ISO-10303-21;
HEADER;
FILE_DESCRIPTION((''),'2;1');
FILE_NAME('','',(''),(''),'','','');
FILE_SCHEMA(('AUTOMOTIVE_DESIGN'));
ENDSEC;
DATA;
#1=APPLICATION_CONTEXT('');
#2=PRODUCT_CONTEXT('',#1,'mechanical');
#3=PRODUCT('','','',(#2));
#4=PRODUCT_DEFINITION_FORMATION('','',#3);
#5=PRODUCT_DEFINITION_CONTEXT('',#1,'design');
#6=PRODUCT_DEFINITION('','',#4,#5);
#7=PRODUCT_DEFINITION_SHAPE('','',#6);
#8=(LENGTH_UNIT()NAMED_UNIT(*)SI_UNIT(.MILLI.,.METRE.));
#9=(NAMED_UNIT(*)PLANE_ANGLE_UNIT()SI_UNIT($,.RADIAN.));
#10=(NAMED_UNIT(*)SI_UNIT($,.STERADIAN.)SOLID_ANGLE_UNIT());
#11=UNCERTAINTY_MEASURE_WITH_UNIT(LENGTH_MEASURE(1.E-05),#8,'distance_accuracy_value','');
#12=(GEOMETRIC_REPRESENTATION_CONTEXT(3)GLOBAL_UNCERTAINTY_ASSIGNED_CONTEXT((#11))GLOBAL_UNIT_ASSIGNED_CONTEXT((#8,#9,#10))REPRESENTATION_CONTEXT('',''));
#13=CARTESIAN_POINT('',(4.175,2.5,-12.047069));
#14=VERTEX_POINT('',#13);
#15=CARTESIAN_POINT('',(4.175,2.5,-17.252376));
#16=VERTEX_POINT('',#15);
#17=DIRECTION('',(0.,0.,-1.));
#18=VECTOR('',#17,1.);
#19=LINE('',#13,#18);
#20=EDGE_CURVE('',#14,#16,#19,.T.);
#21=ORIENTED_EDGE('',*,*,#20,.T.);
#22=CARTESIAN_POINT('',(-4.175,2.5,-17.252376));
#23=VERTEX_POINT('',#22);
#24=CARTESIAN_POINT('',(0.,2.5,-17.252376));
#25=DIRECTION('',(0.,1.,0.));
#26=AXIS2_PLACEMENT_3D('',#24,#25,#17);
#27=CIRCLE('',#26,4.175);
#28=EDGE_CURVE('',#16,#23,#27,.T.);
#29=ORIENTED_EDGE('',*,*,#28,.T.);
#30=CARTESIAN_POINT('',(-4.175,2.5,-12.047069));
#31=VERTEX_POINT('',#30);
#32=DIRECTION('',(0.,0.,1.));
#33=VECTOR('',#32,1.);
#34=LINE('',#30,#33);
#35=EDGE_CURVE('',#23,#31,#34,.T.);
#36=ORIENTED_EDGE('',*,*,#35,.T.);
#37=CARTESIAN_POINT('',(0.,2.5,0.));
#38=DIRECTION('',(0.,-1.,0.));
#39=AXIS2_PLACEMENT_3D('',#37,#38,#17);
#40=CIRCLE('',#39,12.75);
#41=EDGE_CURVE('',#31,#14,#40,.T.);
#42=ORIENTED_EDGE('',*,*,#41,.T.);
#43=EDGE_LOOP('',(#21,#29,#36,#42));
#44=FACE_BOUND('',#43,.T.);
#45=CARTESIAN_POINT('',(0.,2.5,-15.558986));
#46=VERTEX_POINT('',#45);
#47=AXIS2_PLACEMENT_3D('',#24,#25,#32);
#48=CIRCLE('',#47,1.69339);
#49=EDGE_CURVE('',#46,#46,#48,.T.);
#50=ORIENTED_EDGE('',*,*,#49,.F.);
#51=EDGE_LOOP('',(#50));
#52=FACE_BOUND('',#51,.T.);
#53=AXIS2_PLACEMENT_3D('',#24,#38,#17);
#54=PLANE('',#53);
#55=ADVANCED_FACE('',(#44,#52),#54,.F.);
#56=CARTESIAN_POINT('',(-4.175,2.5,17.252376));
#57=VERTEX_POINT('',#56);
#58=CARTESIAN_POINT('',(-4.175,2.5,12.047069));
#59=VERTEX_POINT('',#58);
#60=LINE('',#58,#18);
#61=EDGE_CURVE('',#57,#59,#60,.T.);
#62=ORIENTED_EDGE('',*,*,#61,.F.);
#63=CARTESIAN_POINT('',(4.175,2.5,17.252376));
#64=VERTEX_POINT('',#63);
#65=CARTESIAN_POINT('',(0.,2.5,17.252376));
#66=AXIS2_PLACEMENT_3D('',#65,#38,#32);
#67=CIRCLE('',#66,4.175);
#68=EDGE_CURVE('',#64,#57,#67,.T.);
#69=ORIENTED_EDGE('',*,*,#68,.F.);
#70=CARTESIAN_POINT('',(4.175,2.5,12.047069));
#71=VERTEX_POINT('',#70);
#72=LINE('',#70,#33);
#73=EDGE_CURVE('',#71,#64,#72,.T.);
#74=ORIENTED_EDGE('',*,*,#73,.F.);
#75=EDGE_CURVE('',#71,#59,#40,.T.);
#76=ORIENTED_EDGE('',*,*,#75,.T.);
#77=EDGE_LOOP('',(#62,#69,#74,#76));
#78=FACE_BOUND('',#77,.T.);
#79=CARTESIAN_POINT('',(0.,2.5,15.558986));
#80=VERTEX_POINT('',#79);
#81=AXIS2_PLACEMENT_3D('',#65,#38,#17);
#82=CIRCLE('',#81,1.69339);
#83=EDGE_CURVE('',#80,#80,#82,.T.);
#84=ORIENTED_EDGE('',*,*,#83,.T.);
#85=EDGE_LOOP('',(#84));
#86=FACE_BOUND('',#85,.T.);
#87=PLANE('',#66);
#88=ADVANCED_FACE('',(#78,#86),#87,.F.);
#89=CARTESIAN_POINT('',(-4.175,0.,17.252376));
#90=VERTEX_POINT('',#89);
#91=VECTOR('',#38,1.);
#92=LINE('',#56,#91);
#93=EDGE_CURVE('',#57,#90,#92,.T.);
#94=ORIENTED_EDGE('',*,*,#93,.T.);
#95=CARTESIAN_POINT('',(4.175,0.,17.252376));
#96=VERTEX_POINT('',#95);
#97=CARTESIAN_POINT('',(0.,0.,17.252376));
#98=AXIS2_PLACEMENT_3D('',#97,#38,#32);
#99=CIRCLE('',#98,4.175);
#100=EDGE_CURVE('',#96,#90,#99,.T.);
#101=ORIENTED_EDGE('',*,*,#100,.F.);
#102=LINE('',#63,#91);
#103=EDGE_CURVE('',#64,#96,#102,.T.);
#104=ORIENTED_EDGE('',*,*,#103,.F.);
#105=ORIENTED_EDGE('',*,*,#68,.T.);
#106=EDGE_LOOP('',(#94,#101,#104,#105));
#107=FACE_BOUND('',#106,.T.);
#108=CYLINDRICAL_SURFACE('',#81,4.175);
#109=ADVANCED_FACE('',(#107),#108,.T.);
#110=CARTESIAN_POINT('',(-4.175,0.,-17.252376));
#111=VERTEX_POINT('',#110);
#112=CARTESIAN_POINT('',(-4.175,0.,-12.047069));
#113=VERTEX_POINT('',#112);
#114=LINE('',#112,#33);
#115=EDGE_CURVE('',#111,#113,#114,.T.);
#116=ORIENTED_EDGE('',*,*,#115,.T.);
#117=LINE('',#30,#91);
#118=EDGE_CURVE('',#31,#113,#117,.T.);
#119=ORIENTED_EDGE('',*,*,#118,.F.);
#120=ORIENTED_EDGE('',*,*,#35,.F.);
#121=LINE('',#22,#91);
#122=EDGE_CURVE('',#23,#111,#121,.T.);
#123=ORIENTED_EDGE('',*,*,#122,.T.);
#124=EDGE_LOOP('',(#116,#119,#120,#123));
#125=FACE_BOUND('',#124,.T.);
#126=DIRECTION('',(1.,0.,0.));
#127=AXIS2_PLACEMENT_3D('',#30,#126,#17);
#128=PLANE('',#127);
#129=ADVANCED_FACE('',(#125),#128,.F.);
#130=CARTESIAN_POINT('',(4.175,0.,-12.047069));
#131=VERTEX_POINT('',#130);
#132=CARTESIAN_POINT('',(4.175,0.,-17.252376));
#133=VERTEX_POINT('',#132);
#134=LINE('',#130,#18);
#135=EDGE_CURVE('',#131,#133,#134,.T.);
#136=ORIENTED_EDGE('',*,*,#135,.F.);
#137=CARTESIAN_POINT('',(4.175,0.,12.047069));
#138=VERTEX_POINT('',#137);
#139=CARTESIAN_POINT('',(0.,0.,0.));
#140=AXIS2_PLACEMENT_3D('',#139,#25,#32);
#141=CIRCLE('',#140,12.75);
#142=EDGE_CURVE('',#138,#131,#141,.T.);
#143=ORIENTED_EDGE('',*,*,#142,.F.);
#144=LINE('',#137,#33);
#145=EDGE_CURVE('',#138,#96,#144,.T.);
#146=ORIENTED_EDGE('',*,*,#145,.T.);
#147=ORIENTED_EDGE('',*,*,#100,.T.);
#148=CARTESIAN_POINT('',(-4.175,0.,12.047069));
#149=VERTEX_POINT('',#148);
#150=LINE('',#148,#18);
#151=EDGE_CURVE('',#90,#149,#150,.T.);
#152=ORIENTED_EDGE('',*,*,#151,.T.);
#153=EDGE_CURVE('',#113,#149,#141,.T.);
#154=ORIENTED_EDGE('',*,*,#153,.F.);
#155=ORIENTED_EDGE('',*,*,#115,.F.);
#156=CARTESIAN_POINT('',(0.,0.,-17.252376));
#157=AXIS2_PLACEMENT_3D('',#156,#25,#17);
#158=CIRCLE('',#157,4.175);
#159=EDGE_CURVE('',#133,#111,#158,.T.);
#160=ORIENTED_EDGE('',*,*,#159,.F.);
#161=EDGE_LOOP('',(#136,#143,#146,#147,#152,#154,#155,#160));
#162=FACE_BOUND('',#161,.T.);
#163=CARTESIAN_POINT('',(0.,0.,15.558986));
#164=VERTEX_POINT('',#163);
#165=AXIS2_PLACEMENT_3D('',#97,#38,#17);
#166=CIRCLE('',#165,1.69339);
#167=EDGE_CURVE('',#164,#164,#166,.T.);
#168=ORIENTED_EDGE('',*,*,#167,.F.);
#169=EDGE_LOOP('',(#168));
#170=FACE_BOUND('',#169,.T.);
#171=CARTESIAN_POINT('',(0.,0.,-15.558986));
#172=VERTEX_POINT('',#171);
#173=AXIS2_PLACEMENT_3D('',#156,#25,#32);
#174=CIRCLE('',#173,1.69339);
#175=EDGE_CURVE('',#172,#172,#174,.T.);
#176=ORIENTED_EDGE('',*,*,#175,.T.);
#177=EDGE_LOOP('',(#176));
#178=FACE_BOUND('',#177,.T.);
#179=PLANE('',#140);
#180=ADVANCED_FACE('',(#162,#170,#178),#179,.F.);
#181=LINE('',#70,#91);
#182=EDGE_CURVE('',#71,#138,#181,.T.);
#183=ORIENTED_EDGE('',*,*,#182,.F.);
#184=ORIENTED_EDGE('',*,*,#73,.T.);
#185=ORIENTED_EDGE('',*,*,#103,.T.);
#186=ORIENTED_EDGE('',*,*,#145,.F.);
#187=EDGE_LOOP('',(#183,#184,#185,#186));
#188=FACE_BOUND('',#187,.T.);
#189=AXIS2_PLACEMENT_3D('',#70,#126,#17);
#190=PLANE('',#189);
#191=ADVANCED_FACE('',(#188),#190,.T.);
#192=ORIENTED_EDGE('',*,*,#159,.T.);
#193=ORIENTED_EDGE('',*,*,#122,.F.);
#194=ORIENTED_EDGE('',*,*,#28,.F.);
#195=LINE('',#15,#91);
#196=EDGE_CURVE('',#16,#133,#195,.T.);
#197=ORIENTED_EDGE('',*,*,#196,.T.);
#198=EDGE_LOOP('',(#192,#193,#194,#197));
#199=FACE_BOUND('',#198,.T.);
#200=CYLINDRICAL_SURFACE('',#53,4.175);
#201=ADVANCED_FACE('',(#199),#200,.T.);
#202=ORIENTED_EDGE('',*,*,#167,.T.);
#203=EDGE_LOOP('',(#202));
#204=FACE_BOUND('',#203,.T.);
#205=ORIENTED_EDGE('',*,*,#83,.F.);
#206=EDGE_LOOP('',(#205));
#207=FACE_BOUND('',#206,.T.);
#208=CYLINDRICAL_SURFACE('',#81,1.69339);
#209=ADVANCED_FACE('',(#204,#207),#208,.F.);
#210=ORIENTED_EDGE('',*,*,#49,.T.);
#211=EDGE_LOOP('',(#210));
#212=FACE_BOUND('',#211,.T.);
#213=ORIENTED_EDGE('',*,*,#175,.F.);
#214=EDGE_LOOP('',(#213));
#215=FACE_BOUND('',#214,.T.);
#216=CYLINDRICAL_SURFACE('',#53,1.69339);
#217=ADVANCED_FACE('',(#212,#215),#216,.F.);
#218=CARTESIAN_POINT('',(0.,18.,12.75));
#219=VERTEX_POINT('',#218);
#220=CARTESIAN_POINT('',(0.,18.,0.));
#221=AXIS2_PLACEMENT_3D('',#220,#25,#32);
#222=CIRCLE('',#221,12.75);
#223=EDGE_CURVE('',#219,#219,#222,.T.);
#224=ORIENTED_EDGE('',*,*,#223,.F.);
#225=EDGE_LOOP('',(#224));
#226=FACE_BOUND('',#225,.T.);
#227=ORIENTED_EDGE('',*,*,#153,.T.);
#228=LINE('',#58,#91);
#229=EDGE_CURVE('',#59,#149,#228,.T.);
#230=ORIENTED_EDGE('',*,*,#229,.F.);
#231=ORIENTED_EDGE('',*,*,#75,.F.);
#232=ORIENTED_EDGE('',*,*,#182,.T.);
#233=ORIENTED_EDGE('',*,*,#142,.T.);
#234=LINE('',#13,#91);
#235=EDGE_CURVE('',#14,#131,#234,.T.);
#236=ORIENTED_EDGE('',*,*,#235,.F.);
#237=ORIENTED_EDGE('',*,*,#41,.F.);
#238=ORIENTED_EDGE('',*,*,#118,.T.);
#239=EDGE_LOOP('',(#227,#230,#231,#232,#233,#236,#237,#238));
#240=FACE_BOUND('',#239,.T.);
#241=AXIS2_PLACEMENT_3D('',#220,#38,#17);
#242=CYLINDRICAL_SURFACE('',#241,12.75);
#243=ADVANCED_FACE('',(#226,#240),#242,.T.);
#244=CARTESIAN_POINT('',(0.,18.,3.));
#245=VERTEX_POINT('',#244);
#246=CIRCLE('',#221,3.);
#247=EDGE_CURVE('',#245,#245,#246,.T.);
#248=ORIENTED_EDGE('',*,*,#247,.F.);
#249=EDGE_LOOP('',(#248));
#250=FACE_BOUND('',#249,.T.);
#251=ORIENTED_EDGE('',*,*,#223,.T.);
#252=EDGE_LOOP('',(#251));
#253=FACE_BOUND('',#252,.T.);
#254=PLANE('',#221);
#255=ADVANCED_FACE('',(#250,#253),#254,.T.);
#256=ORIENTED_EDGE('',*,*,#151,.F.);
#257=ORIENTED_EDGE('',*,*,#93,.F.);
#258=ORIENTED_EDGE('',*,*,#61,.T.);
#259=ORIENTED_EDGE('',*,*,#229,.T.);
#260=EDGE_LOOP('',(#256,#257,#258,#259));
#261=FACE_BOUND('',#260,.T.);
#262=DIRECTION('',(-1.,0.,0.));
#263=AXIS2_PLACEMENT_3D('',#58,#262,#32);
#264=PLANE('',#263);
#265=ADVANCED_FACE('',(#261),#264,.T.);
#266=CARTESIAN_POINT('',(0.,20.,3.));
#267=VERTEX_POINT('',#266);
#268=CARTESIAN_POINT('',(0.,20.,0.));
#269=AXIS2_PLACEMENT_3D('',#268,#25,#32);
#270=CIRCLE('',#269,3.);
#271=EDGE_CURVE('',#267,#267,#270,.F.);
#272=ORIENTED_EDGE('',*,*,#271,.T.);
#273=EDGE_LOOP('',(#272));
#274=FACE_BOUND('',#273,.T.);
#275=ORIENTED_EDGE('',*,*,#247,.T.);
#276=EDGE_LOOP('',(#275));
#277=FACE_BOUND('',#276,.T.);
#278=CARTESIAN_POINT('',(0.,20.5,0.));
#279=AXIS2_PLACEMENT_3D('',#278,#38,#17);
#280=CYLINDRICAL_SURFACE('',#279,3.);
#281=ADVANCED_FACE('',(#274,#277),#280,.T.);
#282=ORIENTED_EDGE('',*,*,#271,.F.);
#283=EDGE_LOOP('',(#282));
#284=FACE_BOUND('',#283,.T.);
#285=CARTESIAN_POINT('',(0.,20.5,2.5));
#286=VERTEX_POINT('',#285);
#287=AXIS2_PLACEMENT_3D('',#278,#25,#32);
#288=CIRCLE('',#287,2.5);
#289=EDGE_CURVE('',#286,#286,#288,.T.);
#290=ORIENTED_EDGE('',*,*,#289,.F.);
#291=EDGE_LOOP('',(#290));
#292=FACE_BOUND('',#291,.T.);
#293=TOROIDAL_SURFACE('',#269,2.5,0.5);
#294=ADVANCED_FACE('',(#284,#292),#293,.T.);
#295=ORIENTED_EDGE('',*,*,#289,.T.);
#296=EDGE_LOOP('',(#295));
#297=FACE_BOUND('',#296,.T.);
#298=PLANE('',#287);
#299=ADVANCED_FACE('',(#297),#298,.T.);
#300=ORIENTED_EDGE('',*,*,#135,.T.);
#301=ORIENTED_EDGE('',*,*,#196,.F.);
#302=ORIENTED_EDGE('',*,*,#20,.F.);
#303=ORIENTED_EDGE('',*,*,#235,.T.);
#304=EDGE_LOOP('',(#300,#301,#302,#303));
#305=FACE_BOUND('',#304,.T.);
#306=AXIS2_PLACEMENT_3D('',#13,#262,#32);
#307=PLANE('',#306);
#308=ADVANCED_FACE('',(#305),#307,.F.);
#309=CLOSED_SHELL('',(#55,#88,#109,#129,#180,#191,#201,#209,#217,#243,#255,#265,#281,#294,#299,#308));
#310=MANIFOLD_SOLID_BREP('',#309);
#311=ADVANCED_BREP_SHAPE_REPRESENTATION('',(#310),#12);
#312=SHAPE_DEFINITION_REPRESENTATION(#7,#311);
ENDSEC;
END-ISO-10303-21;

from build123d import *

# Parameters (mm, degrees)
SKETCH1_R           = 12.75
BOSS_EXTRUDE1_DEPTH = 18
SKETCH2_R           = 3
BOSS_EXTRUDE2_DEPTH = 2.5
FILLET1_R           = 0.5
SKETCH3_R           = 1.69339008
BOSS_EXTRUDE3_DEPTH = 2.5


with BuildPart() as part:
    # Sketch1 → Boss-Extrude1 (new body)
    with BuildSketch(Plane(origin=(0, 0, 0), x_dir=(1, 0, 0), z_dir=(0, 1, 0))):
        Circle(SKETCH1_R)
    extrude(amount=BOSS_EXTRUDE1_DEPTH)

    # Sketch2 → Boss-Extrude2 (add)
    with BuildSketch(Plane(origin=(0, 18, 0), x_dir=(1, 0, 0), z_dir=(0, 1, 0))):
        Circle(SKETCH2_R)
    extrude(amount=BOSS_EXTRUDE2_DEPTH)

    # Fillet1
    fillet1_edges = [part.edges().sort_by_distance(p)[0] for p in [
        (-3, 20.5, 0),
    ]]
    fillet(fillet1_edges, radius=FILLET1_R)

    # Sketch3 → Boss-Extrude3 (add)
    with BuildSketch(Plane(origin=(0, 0, 0), x_dir=(1, 0, 0), z_dir=(0, 1, 0))):
        with BuildLine():
            Line((4.175, 12.047069146), (4.175, 17.252375634))
            ThreePointArc((4.175, 17.252375634), (0, 21.427375634), (-4.175, 17.252375634))
            Line((-4.175, 17.252375634), (-4.175, 12.047069146))
            Line((-4.175, 12.047069146), (4.175, 12.047069146))
        make_face()
        with Locations((0, 17.252375634)):
            Circle(SKETCH3_R, mode=Mode.SUBTRACT)
    boss_extrude3 = extrude(amount=BOSS_EXTRUDE3_DEPTH)

    # Mirror1: Boss-Extrude3 across plane
    add(boss_extrude3.mirror(Plane.XY))


solid = part.part
